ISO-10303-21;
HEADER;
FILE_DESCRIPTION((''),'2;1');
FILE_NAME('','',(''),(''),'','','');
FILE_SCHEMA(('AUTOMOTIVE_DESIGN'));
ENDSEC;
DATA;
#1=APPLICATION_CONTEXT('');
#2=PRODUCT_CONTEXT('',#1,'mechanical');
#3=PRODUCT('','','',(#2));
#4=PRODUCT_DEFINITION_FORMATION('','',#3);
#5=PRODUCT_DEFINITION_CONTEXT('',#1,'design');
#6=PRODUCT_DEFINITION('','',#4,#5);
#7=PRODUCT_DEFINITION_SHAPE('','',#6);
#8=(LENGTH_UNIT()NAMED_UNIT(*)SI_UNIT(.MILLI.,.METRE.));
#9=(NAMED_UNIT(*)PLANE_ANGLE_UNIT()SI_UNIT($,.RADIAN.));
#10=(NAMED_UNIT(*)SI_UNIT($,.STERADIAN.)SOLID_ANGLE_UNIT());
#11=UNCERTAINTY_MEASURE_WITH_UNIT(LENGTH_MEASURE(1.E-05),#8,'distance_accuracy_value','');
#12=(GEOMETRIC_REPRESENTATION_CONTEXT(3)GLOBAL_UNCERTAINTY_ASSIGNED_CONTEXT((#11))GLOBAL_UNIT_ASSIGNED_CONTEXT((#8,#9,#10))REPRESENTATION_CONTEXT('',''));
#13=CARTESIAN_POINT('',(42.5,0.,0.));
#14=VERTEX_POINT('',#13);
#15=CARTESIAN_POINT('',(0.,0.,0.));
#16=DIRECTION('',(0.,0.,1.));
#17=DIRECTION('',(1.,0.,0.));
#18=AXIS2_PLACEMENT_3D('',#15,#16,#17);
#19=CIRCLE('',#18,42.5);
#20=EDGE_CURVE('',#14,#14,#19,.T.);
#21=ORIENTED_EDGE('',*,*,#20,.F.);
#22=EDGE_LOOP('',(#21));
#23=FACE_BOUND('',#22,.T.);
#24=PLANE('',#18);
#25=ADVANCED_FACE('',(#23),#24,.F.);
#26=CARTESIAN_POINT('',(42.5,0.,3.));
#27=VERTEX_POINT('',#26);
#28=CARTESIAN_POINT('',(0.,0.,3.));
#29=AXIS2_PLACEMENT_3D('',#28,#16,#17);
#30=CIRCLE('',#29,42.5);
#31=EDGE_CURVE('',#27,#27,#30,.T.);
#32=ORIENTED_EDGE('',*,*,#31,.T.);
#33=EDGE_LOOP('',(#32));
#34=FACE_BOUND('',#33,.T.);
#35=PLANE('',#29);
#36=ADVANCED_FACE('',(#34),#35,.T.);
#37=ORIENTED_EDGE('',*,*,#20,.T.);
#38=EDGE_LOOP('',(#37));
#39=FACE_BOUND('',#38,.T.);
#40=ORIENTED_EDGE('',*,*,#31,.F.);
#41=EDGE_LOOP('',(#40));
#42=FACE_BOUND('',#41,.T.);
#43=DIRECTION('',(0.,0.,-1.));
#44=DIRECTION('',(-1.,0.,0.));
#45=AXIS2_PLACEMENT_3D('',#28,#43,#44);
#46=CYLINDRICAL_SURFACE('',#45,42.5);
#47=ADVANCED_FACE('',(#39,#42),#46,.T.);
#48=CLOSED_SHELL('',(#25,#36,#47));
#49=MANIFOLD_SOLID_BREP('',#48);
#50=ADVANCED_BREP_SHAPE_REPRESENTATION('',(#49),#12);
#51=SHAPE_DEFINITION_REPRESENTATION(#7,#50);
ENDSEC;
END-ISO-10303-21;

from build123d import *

# Parameters (mm, degrees)
SKETCH_1_R      = 42.5
EXTRUDE_1_DEPTH = 3


with BuildPart() as part:
    # 草图1 → 凸台-拉伸1 (new body)
    with BuildSketch(Plane.XY):
        Circle(SKETCH_1_R)
    extrude(amount=EXTRUDE_1_DEPTH)


solid = part.part
